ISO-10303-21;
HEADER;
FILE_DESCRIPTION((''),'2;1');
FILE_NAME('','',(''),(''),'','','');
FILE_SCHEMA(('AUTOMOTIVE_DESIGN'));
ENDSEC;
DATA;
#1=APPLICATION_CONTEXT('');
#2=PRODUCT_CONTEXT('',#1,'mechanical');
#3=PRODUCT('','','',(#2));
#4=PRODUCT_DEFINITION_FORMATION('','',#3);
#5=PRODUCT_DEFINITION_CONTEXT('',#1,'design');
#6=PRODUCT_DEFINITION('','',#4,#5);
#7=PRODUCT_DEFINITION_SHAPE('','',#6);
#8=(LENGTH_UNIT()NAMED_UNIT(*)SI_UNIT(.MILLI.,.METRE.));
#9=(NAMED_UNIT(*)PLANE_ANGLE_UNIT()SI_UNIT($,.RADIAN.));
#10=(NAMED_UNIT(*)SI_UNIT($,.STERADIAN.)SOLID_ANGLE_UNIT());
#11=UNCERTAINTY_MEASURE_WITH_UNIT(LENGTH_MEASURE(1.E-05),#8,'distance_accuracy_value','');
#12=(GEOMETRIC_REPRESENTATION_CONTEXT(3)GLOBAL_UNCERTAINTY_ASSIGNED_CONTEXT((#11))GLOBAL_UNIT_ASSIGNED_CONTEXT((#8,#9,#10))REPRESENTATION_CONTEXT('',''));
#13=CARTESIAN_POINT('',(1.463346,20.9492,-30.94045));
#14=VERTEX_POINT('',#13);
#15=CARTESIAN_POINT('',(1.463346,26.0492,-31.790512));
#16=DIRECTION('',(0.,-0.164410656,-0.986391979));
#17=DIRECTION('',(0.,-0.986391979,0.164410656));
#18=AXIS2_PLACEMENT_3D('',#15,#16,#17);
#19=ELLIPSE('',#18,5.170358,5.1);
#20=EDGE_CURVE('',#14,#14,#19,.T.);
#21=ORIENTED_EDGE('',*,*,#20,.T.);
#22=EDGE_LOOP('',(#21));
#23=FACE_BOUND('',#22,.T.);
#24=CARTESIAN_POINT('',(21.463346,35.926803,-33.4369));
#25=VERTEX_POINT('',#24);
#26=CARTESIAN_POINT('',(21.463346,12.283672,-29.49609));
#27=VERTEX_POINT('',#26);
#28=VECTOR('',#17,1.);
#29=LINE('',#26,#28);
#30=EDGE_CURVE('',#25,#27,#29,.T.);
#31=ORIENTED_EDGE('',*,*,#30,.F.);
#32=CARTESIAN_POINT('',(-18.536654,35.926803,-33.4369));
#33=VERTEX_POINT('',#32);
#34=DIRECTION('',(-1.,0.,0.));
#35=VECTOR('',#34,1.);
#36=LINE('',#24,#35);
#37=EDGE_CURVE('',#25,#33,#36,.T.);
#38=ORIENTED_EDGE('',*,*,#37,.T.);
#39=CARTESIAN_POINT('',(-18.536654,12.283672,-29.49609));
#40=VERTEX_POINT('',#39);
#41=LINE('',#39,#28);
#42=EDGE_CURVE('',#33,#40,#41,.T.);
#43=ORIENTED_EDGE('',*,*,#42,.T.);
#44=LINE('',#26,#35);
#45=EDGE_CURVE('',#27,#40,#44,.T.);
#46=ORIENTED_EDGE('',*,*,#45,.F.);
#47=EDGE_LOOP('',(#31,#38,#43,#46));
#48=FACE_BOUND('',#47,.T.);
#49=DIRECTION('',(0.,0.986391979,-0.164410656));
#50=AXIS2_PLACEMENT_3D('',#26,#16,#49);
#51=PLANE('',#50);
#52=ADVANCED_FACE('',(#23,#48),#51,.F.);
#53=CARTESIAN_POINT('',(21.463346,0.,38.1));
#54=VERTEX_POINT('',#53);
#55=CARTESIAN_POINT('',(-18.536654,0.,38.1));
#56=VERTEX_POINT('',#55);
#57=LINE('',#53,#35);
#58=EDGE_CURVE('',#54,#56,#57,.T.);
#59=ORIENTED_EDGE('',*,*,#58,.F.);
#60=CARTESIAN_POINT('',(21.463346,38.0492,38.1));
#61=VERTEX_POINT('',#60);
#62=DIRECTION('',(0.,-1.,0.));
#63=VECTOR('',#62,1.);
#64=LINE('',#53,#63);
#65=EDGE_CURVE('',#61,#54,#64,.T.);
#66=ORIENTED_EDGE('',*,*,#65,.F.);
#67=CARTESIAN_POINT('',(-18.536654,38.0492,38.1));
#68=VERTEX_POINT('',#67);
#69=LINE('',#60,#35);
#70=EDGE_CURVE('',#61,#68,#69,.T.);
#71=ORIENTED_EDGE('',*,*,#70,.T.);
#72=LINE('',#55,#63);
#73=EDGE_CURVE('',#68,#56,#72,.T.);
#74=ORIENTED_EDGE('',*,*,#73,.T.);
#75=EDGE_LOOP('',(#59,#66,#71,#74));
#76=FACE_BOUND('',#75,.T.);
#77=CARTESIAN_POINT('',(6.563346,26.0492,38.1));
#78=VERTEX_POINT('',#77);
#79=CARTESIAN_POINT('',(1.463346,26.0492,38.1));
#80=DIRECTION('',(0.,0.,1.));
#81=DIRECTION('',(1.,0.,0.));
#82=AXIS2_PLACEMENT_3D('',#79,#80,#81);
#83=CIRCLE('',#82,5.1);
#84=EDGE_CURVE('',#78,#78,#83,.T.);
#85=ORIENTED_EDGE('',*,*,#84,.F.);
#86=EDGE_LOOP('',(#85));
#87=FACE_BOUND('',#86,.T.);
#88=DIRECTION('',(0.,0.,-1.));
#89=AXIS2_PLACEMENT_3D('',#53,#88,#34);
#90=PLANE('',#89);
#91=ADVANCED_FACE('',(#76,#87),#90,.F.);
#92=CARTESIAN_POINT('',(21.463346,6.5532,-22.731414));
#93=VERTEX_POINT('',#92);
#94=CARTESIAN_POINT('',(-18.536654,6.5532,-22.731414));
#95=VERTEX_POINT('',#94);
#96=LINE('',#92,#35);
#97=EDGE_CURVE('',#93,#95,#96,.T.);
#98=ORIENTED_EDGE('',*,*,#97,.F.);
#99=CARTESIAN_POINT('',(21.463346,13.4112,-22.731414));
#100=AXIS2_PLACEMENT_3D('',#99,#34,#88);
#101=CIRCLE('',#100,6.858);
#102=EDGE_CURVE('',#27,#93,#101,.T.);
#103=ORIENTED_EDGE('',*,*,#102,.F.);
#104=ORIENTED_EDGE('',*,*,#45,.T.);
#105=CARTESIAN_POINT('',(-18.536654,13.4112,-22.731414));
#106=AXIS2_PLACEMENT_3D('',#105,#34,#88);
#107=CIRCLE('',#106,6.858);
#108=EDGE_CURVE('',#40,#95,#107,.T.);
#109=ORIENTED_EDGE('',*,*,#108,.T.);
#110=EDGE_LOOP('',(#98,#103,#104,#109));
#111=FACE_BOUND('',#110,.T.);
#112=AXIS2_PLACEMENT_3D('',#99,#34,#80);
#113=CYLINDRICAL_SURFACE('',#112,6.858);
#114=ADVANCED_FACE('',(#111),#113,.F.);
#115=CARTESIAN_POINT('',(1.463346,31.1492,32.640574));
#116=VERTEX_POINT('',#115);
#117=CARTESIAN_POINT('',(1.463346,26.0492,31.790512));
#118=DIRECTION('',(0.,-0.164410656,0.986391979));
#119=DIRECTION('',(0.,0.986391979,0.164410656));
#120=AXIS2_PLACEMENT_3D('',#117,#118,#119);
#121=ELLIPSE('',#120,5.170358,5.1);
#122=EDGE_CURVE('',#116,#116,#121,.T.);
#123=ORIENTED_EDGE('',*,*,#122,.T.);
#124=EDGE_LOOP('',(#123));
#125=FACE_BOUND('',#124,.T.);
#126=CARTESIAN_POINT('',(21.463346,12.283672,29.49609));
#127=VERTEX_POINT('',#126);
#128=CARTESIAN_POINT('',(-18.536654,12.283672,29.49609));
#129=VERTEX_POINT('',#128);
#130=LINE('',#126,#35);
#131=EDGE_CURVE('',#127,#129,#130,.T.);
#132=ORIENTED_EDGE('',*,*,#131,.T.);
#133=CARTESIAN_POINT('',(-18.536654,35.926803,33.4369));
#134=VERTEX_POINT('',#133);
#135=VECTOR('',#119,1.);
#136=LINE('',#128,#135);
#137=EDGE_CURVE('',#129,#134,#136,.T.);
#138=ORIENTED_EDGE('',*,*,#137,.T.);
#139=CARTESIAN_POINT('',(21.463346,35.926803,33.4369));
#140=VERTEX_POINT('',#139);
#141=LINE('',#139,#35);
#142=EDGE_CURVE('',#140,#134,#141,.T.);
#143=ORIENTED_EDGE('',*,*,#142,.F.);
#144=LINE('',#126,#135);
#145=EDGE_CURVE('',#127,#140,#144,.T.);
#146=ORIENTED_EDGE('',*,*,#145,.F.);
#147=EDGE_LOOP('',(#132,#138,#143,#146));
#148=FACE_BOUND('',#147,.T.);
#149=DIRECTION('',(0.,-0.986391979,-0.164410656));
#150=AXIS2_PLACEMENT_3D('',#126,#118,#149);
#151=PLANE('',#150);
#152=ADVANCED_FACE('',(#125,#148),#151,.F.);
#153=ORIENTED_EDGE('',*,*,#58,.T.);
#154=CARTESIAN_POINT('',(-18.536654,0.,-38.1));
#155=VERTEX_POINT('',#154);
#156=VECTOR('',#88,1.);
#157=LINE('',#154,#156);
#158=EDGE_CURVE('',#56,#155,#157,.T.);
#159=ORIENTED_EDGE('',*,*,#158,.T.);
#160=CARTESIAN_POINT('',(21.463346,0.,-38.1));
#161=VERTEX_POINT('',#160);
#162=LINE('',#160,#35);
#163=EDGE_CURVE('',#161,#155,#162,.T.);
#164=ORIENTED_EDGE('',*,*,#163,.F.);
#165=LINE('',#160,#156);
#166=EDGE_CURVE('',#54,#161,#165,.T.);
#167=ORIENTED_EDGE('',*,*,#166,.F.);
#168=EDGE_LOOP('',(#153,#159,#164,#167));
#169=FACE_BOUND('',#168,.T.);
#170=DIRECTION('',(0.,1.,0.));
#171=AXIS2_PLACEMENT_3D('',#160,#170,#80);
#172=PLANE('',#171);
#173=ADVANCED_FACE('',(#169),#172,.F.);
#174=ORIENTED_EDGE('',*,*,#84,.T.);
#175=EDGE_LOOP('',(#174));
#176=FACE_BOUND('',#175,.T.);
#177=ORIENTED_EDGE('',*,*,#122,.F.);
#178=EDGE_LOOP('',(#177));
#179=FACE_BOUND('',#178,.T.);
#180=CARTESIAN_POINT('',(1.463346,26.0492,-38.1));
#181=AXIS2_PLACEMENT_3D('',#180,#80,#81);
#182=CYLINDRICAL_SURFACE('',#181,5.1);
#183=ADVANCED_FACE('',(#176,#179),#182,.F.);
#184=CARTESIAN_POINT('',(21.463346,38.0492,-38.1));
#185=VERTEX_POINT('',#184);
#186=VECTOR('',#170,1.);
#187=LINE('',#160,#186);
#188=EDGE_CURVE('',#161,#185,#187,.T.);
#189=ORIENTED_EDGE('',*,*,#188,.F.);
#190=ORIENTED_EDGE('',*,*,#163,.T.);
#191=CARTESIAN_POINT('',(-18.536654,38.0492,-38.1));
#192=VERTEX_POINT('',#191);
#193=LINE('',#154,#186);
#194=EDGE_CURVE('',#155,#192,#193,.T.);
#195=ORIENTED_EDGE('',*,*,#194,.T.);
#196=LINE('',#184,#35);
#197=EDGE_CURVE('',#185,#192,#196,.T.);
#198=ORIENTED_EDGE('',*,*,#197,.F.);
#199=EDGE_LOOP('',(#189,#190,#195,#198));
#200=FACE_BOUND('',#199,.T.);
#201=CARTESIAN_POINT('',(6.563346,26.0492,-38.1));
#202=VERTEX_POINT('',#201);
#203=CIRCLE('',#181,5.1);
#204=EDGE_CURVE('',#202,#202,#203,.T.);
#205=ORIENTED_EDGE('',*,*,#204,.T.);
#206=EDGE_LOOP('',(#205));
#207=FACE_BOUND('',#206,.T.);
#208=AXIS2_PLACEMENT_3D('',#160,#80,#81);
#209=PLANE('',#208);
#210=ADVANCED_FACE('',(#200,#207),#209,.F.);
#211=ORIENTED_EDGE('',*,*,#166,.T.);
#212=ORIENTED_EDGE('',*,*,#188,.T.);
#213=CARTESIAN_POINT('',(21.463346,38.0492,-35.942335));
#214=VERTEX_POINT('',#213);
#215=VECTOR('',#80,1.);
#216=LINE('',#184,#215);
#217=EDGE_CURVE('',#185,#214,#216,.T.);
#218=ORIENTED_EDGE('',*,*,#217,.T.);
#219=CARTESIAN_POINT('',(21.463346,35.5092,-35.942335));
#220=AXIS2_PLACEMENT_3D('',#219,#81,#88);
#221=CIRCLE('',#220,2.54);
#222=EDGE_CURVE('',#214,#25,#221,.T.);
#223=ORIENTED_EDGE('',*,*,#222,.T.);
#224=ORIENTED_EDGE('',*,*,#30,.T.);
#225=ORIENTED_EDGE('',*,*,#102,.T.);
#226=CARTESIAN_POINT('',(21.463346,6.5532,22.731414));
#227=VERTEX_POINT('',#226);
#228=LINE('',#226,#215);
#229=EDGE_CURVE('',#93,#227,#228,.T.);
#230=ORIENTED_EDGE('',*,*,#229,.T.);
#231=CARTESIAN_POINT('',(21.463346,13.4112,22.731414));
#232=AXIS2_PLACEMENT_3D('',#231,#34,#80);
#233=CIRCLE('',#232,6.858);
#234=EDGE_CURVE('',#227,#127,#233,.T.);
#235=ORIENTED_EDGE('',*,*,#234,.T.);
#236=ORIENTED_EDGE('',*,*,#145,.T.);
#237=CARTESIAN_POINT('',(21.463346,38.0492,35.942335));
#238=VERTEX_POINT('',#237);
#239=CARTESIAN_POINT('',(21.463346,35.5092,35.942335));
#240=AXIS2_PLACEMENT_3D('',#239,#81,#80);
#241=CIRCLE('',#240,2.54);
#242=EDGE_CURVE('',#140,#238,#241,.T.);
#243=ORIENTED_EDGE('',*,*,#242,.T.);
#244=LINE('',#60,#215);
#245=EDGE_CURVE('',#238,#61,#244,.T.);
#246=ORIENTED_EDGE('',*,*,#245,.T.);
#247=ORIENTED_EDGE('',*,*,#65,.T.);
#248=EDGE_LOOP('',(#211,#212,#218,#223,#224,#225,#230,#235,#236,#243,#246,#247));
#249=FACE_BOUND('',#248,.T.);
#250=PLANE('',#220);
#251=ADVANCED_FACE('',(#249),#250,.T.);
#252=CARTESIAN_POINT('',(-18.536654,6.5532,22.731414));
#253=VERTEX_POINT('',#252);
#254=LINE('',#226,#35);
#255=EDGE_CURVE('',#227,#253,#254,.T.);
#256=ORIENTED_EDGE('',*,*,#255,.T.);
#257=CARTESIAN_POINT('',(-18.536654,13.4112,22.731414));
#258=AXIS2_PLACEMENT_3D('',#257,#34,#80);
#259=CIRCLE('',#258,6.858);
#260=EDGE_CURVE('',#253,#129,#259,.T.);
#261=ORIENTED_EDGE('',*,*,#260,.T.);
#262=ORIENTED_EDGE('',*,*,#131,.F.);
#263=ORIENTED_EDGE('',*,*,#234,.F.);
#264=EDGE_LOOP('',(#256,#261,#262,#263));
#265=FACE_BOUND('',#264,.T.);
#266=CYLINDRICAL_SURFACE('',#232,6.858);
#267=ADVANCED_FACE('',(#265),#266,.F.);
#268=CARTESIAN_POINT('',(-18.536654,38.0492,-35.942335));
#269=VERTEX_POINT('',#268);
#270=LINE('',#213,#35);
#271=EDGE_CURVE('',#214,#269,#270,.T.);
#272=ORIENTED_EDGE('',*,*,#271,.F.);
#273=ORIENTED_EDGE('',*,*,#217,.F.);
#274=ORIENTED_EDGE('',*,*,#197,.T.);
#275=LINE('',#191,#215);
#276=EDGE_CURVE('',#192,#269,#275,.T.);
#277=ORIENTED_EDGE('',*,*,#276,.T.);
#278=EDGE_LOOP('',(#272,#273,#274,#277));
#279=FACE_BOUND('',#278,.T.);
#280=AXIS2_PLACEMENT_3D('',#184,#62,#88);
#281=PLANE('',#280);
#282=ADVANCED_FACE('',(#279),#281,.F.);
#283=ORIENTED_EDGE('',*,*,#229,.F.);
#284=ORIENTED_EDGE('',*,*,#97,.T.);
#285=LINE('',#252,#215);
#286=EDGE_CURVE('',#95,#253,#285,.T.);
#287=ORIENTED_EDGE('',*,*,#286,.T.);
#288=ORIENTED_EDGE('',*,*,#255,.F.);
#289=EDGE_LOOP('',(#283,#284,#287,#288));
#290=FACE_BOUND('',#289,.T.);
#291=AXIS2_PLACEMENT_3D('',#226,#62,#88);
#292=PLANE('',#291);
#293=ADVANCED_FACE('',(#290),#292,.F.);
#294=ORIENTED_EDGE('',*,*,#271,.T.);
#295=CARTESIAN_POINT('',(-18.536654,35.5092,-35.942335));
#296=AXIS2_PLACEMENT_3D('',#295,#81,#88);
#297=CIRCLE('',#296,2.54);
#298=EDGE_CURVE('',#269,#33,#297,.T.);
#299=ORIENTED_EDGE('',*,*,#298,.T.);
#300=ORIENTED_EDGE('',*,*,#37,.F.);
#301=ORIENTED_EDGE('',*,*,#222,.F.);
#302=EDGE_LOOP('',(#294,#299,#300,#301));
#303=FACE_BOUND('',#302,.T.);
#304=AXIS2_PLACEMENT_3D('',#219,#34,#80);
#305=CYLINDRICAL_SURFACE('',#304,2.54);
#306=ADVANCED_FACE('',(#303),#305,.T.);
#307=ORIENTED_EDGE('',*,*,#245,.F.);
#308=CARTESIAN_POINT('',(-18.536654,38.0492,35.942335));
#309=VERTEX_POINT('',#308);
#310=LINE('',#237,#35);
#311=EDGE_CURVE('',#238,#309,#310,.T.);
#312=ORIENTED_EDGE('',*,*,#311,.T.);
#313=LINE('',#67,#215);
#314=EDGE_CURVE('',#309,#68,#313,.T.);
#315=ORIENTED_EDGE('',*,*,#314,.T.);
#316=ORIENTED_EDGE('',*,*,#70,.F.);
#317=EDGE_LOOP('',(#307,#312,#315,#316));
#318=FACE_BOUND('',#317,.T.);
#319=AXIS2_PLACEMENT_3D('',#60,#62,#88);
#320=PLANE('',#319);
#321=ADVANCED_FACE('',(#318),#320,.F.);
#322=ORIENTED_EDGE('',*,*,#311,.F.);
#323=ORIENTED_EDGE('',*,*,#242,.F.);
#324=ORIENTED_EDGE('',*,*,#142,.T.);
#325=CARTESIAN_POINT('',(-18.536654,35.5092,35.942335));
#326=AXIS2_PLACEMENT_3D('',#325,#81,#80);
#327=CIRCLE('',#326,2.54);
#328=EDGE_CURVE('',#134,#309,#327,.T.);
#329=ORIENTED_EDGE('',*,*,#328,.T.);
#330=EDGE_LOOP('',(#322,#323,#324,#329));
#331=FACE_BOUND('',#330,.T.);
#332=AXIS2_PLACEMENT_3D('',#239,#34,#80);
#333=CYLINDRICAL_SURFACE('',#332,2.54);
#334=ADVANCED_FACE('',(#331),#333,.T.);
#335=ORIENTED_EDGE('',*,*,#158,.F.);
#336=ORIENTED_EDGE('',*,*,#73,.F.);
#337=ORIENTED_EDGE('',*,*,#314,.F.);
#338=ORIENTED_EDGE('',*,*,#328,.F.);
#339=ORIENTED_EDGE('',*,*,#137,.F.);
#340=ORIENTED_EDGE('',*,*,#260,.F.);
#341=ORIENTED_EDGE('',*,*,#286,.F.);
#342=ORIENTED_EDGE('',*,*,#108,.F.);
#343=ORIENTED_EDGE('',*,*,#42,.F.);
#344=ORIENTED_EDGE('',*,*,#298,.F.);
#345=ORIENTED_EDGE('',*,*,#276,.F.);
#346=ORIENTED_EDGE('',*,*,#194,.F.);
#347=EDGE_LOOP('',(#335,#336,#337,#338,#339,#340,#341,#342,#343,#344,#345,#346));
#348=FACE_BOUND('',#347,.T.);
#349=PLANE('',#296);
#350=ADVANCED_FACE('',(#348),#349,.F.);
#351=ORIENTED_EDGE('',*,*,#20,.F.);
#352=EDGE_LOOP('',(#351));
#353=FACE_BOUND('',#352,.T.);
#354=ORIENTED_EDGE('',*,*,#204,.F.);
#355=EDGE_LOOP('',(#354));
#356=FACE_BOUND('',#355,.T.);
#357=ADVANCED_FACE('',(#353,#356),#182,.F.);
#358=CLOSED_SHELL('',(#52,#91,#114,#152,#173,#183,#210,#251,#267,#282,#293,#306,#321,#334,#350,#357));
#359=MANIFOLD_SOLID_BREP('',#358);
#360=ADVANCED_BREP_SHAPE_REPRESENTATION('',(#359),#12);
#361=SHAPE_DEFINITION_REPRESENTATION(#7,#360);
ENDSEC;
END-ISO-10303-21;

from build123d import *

# Parameters (mm, degrees)
MIEMBRO_ESTRUCTURAL1_DEPTH = 40
CROQUIS4_R                 = 5.1
CORTAR_EXTRUIR1_DEPTH      = 88.834257761


with BuildPart() as part:
    # Sketch1 → Miembro estructural1 (new body)
    with BuildSketch(Plane.YZ.offset(-18.536654135)):
        with BuildLine():
            Line((0, -38.1), (0, 38.1))
            Line((0, 38.1), (38.0492, 38.1))
            Line((38.0492, 38.1), (38.0492, 35.942335136))
            ThreePointArc((38.0492, 35.942335136), (37.447280466, 34.300554363), (35.926803066, 33.436899509))
            Line((35.926803066, 33.436899509), (12.283671721, 29.496090157))
            ThreePointArc((12.283671721, 29.496090157), (8.178382741, 27.164222052), (6.5532, 22.731413966))
            Line((6.5532, 22.731413966), (6.5532, -22.731413966))
            ThreePointArc((6.5532, -22.731413966), (8.178382741, -27.164222052), (12.283671721, -29.496090157))
            Line((12.283671721, -29.496090157), (35.926803066, -33.436899509))
            ThreePointArc((35.926803066, -33.436899509), (37.447280466, -34.300554363), (38.0492, -35.942335136))
            Line((38.0492, -35.942335136), (38.0492, -38.1))
            Line((38.0492, -38.1), (0, -38.1))
        make_face()
    extrude(amount=MIEMBRO_ESTRUCTURAL1_DEPTH)

    # Croquis4 → Cortar-Extruir1 (cut, through all)
    with BuildSketch(Plane.XY.offset(38.1)):
        with Locations((1.463345865, 26.0492)):
            Circle(CROQUIS4_R)
    extrude(amount=-CORTAR_EXTRUIR1_DEPTH, mode=Mode.SUBTRACT)


solid = part.part
